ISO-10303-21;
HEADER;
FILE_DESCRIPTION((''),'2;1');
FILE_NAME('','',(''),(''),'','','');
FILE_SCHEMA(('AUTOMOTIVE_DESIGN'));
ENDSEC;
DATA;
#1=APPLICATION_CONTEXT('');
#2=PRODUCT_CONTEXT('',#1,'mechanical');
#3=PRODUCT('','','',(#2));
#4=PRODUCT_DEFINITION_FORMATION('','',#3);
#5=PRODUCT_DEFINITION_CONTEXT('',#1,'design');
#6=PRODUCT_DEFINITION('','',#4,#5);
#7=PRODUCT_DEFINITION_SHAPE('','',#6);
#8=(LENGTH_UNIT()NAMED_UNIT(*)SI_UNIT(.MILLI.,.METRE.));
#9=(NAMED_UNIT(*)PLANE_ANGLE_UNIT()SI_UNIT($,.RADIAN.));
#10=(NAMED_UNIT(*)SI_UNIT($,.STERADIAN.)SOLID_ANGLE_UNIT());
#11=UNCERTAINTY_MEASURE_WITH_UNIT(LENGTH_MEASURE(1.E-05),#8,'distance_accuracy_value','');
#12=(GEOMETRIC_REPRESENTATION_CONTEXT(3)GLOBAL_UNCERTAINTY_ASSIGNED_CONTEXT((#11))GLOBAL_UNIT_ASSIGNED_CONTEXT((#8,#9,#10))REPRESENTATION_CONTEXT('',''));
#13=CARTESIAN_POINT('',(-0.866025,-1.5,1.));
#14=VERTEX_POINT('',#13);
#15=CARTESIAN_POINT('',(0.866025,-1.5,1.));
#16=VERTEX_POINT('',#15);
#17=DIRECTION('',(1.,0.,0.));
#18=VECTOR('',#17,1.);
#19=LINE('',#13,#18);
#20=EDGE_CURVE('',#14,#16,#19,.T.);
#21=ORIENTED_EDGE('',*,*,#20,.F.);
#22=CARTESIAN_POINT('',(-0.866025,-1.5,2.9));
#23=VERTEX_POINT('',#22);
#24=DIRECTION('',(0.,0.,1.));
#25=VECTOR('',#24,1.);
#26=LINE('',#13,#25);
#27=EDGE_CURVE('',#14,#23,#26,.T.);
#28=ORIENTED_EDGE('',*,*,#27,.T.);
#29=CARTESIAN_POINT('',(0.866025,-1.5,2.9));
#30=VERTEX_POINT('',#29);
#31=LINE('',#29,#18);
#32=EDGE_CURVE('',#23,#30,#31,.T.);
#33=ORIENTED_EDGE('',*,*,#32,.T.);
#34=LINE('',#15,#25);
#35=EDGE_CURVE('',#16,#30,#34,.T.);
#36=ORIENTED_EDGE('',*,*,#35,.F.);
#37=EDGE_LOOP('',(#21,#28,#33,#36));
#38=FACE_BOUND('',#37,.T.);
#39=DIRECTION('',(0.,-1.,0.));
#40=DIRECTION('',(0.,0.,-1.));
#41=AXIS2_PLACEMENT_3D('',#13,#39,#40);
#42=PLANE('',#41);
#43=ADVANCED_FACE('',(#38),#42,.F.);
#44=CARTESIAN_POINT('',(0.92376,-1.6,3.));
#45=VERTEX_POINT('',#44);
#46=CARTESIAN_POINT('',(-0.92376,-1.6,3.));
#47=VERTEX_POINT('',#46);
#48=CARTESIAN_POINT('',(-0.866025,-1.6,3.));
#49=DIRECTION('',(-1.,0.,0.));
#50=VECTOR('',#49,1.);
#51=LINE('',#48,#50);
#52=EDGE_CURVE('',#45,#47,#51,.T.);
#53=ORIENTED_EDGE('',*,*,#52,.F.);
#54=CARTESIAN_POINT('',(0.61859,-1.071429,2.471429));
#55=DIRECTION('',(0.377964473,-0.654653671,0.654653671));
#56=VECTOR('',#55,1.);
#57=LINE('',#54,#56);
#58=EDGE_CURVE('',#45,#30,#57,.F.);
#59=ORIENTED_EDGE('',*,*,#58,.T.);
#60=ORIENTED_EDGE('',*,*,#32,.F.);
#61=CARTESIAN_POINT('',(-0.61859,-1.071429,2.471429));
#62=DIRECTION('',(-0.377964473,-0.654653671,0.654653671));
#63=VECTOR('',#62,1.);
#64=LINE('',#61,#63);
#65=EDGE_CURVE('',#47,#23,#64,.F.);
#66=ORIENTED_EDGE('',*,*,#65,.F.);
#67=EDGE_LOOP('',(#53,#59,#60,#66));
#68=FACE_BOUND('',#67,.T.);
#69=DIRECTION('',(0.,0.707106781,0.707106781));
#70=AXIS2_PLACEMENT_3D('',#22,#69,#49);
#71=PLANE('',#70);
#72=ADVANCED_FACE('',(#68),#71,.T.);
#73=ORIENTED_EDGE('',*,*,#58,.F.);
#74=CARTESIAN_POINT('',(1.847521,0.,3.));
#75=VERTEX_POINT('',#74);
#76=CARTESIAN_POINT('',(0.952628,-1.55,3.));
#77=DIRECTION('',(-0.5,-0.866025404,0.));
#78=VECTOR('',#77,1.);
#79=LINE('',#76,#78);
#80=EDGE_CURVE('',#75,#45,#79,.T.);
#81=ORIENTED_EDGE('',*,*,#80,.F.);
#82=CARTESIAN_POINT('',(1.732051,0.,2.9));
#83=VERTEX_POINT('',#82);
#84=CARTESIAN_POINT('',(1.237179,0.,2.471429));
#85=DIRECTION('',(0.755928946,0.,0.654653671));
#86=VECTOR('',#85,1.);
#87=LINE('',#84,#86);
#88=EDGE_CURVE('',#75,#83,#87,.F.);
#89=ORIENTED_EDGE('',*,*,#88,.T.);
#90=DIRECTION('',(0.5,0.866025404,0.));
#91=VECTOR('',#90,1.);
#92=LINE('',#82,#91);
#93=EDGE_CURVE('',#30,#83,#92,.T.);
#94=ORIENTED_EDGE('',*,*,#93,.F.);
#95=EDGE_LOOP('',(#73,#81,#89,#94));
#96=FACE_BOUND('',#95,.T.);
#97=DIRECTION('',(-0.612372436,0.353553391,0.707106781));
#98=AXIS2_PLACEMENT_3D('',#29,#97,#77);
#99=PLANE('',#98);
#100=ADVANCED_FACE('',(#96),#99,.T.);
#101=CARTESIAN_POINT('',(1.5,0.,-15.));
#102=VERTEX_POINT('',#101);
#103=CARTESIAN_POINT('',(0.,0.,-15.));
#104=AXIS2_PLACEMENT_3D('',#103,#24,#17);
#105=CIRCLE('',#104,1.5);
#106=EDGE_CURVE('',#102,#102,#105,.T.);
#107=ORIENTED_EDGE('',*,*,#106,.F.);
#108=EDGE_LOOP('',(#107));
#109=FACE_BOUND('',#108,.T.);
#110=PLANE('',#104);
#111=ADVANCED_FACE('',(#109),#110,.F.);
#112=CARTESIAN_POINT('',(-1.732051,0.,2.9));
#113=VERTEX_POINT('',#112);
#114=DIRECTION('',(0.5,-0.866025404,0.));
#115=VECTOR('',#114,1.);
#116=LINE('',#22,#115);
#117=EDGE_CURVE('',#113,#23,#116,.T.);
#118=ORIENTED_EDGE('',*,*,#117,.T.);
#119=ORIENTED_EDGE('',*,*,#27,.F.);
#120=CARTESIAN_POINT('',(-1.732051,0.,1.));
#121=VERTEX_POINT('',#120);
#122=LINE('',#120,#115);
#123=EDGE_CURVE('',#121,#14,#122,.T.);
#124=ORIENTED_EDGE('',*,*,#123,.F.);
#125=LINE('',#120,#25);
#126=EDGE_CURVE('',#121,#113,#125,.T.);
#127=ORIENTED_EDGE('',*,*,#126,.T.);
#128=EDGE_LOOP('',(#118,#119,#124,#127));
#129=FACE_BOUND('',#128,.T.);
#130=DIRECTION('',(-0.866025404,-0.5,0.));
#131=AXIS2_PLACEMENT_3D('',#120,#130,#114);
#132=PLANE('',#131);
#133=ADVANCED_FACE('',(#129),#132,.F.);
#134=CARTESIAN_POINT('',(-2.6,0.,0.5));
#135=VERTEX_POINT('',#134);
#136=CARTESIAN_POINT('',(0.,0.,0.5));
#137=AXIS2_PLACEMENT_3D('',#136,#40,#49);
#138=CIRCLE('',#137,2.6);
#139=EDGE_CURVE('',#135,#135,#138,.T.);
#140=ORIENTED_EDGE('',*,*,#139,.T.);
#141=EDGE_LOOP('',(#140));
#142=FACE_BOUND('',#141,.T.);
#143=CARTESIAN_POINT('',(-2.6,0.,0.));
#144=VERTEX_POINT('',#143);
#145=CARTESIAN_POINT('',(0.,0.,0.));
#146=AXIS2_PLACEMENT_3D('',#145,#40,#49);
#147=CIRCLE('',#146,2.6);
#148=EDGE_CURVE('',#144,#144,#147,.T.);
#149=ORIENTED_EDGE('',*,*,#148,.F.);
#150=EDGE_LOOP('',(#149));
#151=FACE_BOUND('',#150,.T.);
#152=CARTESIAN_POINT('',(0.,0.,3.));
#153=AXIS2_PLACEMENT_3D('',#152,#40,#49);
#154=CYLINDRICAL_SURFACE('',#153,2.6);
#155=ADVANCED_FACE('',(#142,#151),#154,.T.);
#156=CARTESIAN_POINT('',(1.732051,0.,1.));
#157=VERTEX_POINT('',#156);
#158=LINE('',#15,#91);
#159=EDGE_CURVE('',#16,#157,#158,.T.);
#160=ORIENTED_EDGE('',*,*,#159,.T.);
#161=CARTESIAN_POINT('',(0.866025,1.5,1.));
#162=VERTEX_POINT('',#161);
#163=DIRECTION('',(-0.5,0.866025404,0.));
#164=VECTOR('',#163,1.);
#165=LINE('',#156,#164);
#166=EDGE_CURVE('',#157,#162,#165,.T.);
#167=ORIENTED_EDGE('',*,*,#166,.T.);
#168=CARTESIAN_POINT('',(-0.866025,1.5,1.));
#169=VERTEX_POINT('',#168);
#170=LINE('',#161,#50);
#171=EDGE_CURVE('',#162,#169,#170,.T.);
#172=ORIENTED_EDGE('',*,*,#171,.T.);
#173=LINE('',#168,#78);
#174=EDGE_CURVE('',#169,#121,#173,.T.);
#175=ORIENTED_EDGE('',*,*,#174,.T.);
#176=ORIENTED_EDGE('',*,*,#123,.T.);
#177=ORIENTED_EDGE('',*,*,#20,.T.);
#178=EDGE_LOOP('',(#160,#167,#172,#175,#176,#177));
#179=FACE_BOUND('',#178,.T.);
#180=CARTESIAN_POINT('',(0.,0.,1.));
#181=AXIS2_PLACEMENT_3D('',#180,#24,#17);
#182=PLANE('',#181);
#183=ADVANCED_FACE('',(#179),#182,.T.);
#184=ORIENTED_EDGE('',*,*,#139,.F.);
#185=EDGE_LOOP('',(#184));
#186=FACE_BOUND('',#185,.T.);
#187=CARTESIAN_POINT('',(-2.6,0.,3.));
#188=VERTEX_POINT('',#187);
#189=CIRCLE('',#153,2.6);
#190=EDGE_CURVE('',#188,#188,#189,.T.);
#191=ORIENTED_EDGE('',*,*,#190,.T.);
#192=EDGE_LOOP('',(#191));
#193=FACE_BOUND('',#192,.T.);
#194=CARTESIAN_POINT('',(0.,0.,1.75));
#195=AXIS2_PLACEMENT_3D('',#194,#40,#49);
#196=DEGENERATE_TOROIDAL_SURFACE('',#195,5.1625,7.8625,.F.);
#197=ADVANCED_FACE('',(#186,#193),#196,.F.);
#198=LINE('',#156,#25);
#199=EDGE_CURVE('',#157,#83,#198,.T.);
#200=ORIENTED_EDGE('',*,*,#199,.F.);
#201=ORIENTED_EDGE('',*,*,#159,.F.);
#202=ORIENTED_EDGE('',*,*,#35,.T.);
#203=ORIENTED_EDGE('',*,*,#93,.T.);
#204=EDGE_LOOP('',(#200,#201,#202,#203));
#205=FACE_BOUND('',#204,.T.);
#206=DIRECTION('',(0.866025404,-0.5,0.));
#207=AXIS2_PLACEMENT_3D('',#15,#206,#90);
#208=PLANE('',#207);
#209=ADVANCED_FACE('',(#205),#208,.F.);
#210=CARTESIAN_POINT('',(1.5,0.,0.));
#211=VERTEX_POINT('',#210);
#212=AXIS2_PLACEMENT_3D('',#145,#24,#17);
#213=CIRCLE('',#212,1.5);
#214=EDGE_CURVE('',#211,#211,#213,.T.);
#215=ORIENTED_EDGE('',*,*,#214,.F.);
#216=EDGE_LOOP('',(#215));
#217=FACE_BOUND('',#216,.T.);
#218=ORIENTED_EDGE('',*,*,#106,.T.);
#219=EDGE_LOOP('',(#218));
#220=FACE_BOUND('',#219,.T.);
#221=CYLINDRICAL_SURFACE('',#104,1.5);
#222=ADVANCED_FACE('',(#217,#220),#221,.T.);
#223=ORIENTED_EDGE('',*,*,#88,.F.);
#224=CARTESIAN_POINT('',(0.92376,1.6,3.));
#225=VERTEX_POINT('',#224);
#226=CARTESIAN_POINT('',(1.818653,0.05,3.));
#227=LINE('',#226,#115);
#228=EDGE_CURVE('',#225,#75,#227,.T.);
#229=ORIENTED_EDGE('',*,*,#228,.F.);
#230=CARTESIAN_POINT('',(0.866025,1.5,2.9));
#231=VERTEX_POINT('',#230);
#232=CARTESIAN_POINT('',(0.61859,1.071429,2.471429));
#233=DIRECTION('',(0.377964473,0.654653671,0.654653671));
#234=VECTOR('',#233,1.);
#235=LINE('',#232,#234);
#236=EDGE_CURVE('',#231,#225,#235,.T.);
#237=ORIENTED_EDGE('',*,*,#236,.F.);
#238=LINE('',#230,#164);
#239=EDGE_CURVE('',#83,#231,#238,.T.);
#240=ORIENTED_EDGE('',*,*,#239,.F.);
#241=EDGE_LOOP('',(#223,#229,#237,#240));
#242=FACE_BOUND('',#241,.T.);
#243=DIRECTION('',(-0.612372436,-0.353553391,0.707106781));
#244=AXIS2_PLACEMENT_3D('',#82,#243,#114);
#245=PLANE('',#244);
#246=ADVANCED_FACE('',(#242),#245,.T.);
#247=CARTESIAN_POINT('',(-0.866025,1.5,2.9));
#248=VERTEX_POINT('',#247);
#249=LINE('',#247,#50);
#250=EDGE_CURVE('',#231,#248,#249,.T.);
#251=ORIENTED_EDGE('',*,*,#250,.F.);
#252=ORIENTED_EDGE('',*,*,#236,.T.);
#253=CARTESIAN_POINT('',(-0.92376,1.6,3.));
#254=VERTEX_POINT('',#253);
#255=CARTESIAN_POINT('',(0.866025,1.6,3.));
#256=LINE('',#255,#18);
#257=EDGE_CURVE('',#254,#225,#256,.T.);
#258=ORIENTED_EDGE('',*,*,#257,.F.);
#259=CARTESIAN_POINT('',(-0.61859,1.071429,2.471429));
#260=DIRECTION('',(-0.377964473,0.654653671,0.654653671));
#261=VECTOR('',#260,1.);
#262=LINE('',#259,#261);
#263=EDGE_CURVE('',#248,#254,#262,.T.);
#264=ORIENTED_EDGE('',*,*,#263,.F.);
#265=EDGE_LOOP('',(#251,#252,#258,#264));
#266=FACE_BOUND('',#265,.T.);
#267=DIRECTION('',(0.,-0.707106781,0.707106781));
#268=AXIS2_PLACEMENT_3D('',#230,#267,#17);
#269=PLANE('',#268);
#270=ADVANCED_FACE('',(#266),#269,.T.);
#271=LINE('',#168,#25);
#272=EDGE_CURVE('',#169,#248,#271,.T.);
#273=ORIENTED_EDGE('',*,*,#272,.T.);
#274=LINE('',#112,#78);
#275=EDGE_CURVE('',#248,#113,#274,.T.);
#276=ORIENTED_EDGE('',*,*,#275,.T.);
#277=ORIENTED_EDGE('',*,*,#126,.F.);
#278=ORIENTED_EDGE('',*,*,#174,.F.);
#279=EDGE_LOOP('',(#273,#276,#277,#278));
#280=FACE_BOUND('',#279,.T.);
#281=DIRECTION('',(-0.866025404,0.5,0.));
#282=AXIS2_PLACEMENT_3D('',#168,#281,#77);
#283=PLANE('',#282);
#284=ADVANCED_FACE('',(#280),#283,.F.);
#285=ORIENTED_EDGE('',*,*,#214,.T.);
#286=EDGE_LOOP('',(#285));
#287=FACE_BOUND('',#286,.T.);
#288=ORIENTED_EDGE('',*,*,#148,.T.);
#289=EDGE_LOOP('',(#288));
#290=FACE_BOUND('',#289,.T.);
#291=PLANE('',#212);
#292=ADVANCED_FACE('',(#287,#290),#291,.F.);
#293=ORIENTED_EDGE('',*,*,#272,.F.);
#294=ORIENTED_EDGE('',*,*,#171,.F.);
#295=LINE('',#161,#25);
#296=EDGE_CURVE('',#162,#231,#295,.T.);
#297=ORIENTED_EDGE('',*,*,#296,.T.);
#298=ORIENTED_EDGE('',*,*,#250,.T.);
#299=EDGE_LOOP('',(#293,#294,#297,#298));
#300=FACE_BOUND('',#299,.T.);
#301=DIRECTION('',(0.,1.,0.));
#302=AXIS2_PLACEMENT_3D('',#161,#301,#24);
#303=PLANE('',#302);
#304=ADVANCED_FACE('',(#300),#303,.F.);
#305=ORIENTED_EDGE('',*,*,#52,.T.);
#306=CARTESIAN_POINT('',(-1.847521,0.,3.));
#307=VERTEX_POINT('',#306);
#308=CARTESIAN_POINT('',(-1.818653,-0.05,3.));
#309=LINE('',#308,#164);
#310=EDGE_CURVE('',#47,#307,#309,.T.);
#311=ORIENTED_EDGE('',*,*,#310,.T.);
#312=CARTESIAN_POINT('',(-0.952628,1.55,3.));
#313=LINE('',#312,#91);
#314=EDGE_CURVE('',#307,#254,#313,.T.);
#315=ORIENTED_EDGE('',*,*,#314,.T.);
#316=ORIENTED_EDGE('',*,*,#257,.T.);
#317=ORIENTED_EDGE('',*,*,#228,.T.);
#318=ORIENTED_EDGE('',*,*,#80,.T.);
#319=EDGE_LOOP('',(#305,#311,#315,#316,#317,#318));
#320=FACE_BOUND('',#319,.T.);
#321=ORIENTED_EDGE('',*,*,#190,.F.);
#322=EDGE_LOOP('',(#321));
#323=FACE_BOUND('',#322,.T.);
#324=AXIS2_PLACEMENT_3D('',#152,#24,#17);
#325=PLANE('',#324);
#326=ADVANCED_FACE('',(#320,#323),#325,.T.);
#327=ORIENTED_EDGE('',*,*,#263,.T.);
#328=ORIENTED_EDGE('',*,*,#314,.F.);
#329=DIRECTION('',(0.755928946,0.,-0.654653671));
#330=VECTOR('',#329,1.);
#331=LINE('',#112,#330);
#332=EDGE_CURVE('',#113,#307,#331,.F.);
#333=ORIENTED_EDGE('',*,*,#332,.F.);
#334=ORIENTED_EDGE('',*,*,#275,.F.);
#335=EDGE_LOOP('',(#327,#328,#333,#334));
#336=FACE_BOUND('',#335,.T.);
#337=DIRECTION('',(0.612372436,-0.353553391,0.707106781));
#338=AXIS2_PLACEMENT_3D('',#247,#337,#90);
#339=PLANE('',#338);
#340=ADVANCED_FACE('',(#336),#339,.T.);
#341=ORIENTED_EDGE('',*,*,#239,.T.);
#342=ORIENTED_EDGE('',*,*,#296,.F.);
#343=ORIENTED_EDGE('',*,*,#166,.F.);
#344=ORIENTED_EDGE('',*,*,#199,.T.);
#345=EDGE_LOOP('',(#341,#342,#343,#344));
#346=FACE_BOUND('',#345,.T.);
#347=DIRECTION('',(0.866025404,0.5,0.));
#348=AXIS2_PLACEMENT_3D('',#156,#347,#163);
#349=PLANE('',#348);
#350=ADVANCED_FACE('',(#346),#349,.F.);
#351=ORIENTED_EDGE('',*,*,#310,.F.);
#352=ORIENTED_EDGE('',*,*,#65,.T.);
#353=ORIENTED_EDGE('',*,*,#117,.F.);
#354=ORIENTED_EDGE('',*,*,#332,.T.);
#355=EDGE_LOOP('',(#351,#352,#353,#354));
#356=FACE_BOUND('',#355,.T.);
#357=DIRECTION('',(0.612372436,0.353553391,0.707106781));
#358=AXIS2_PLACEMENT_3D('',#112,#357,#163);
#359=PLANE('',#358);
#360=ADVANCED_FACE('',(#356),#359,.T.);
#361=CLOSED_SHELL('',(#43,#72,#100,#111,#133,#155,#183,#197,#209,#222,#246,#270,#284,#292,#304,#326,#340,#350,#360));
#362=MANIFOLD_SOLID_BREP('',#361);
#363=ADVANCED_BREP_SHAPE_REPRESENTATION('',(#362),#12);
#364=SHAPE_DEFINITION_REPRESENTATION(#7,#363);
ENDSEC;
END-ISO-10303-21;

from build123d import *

# Parameters (mm, degrees)
SKETCH1_R           = 1.5
BOSS_EXTRUDE1_DEPTH = 15
SKETCH2_R           = 2.75
BOSS_EXTRUDE2_DEPTH = 3
CUT_EXTRUDE1_DEPTH  = 2
CHAMFER1_SIZE       = 0.1


with BuildPart() as part:
    # Sketch1 → Boss-Extrude1 (new body)
    with BuildSketch(Plane.XY):
        Circle(SKETCH1_R)
    extrude(amount=-BOSS_EXTRUDE1_DEPTH)

    # Sketch2 → Boss-Extrude2 (add)
    with BuildSketch(Plane.XY):
        Circle(SKETCH2_R)
    extrude(amount=BOSS_EXTRUDE2_DEPTH)

    # Sketch3 → Cut-Revolve1 (revolve, cut)
    with BuildSketch(Plane(origin=(0, 0, 0), x_dir=(0, 0, -1), z_dir=(1, 0, 0)), mode=Mode.PRIVATE) as cut_revolve1_sk:
        with BuildLine():
            Line((-3, 2.6), (-3, 3.1))
            Line((-3, 3.1), (0, 3.1))
            Line((0, 3.1), (0, 2.6))
            Line((0, 2.6), (-0.5, 2.6))
            ThreePointArc((-0.5, 2.6), (-1.75, 2.7), (-3, 2.6))
        make_face()
    revolve(cut_revolve1_sk.sketch.rotate(Axis((0, 0, 3), (0, 0, 1)), 90), axis=Axis((0, 0, 3), (0, 0, 1)), mode=Mode.SUBTRACT)

    # Sketch4 → Cut-Extrude1 (cut)
    with BuildSketch(Plane.XY.offset(3)):
        Polygon((1.732050808, 0), (0.866025404, 1.5), (-0.866025404, 1.5), (-1.732050808, 0), (-0.866025404, -1.5), (0.866025404, -1.5), align=None)
    extrude(amount=-CUT_EXTRUDE1_DEPTH, mode=Mode.SUBTRACT)

    # Chamfer1
    chamfer1_edges = [part.edges().sort_by_distance(p)[0] for p in [
        (1.299038106, -0.75, 3),
        (1.299038106, 0.75, 3),
        (0, 1.5, 3),
        (-1.299038106, 0.75, 3),
        (-1.299038106, -0.75, 3),
        (0, -1.5, 3),
    ]]
    chamfer(chamfer1_edges, length=CHAMFER1_SIZE)


solid = part.part
